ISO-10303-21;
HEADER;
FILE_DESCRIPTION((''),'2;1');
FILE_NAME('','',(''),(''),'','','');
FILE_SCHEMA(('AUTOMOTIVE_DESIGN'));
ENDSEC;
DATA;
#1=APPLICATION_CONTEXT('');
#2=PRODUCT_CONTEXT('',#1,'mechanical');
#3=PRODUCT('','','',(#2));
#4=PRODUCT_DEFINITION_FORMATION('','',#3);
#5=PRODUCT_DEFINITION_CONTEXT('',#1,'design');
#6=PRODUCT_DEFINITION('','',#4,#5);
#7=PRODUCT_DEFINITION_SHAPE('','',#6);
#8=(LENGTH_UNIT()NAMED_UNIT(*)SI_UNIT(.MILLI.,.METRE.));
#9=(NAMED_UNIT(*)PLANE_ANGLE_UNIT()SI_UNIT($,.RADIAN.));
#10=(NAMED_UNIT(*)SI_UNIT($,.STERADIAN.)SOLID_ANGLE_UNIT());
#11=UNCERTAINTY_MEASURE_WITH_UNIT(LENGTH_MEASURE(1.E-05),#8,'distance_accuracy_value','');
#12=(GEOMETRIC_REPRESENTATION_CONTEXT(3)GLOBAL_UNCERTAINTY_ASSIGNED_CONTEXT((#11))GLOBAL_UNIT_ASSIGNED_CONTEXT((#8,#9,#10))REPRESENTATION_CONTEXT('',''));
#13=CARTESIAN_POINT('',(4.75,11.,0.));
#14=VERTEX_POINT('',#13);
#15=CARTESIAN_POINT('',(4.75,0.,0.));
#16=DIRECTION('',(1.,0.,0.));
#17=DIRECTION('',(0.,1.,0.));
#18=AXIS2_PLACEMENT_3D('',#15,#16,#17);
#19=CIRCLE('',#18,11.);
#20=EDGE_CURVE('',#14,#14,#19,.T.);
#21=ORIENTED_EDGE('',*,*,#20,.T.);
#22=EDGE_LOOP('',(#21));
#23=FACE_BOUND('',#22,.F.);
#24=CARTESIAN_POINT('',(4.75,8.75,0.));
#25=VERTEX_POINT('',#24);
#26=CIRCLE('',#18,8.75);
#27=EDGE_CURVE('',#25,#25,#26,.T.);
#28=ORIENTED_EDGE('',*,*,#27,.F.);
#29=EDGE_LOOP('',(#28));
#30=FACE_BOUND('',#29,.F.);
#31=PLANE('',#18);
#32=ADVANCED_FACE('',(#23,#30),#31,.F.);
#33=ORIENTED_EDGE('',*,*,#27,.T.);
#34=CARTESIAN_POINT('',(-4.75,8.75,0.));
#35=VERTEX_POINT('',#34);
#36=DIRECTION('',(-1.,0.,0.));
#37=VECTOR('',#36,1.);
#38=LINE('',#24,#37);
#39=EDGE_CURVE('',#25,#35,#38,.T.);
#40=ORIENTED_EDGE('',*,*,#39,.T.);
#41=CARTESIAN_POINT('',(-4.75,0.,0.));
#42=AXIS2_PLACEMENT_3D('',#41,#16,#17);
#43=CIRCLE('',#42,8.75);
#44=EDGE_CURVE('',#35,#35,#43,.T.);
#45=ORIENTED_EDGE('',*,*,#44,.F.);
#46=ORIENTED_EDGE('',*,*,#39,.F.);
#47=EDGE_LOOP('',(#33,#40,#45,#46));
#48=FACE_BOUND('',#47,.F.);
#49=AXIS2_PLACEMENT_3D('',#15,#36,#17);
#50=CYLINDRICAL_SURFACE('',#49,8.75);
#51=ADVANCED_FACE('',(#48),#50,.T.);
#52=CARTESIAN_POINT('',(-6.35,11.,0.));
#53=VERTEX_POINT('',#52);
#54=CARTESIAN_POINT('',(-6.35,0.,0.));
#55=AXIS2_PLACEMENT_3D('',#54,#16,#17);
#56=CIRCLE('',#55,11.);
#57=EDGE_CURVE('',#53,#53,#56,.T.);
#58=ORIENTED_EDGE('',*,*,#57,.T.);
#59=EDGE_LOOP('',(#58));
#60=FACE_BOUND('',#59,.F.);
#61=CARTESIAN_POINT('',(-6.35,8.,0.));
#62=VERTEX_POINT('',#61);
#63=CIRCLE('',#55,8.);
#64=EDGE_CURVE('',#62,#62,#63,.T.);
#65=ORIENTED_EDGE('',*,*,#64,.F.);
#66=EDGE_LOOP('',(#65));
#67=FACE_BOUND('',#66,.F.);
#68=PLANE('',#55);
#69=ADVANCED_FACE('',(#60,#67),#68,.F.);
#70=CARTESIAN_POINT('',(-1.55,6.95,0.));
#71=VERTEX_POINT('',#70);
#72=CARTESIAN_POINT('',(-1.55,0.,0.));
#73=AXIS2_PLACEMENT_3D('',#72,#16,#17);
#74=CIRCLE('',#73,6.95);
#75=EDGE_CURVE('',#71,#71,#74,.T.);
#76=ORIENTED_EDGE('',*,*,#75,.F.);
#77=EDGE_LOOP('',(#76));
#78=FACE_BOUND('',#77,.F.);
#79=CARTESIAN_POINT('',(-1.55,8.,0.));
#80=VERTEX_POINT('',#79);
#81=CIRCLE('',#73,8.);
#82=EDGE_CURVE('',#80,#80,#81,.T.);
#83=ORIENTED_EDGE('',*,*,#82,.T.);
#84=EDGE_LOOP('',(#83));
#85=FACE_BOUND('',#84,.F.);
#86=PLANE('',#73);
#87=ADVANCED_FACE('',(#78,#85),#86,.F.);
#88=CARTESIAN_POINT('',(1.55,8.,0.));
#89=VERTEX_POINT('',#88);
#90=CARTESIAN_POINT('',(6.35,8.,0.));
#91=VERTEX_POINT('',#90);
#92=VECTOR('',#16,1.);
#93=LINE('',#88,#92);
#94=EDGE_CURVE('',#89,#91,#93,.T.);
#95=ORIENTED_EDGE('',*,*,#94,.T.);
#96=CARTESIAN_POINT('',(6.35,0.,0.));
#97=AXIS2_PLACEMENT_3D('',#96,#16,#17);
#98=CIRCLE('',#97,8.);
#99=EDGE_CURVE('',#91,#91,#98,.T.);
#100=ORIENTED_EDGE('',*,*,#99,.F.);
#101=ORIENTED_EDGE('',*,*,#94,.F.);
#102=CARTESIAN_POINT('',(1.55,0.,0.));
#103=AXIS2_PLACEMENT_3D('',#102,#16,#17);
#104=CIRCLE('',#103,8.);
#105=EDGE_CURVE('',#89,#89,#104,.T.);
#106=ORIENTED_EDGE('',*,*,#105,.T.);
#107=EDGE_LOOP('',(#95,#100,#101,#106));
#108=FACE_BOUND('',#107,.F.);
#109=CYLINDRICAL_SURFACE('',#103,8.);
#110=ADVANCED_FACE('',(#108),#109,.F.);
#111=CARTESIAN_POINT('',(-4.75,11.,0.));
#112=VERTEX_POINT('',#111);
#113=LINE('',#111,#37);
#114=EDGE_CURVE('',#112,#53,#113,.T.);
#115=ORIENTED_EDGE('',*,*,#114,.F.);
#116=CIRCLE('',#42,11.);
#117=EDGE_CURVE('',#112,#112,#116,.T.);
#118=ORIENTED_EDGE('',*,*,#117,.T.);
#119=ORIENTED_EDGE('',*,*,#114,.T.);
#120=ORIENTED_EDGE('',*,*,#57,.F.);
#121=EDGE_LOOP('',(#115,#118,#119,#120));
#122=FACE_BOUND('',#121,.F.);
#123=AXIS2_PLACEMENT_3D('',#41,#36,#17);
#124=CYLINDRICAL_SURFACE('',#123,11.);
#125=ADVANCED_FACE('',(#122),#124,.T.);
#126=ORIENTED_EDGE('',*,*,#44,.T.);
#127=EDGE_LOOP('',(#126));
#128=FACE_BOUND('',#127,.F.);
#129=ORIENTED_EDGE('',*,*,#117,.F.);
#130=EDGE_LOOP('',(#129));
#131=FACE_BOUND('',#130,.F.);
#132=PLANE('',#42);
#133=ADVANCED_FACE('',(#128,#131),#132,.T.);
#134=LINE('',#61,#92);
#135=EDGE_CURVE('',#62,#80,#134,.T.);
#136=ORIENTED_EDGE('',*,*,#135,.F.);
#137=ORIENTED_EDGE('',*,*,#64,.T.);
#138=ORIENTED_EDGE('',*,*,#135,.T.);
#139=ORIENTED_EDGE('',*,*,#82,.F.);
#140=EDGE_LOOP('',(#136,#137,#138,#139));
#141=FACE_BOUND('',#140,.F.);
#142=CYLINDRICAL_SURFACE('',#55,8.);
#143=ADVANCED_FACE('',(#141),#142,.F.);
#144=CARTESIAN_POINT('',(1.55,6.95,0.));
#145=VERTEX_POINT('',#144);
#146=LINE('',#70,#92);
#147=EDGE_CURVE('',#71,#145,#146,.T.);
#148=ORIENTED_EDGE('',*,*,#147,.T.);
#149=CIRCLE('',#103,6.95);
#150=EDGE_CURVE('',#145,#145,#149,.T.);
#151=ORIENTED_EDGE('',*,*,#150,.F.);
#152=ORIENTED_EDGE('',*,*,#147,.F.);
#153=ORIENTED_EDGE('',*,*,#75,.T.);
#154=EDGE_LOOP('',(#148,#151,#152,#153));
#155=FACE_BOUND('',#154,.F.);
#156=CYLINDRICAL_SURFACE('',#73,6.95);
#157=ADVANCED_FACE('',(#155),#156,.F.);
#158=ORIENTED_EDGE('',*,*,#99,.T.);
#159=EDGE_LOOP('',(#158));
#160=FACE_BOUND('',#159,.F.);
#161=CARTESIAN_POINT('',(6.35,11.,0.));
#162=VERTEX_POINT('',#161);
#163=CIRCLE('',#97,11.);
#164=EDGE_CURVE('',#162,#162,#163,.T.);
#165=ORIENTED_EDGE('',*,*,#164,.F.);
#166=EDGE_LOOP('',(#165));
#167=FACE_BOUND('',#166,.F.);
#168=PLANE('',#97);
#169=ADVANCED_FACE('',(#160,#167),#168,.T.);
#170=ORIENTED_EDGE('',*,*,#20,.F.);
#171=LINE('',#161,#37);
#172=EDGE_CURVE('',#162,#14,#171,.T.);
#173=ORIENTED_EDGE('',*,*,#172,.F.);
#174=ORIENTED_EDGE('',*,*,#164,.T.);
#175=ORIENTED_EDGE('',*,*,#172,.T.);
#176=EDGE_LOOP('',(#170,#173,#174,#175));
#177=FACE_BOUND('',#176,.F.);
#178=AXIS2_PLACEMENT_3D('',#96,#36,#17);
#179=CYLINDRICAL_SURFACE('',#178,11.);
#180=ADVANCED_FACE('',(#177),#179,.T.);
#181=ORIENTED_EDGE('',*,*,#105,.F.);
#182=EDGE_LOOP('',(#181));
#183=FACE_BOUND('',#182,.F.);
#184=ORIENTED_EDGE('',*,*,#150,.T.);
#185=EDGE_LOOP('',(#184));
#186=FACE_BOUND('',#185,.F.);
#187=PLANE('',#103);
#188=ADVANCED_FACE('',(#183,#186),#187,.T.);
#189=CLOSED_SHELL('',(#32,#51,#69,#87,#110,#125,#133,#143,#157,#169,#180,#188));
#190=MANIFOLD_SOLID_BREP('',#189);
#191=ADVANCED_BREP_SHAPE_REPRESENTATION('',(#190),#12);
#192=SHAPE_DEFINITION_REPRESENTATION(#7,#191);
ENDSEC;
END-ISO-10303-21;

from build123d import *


with BuildPart() as part:
    # Sketch1 → Revolve1 (revolve)
    with BuildSketch(Plane.XY):
        Polygon((-1.55, 8), (-1.55, 6.95), (1.55, 6.95), (1.55, 8), (6.35, 8), (6.35, 11), (4.75, 11), (4.75, 8.75), (-4.75, 8.75), (-4.75, 11), (-6.35, 11), (-6.35, 8), align=None)
    revolve(axis=Axis((-6.35, 0, 0), (1, 0, 0)))


solid = part.part
